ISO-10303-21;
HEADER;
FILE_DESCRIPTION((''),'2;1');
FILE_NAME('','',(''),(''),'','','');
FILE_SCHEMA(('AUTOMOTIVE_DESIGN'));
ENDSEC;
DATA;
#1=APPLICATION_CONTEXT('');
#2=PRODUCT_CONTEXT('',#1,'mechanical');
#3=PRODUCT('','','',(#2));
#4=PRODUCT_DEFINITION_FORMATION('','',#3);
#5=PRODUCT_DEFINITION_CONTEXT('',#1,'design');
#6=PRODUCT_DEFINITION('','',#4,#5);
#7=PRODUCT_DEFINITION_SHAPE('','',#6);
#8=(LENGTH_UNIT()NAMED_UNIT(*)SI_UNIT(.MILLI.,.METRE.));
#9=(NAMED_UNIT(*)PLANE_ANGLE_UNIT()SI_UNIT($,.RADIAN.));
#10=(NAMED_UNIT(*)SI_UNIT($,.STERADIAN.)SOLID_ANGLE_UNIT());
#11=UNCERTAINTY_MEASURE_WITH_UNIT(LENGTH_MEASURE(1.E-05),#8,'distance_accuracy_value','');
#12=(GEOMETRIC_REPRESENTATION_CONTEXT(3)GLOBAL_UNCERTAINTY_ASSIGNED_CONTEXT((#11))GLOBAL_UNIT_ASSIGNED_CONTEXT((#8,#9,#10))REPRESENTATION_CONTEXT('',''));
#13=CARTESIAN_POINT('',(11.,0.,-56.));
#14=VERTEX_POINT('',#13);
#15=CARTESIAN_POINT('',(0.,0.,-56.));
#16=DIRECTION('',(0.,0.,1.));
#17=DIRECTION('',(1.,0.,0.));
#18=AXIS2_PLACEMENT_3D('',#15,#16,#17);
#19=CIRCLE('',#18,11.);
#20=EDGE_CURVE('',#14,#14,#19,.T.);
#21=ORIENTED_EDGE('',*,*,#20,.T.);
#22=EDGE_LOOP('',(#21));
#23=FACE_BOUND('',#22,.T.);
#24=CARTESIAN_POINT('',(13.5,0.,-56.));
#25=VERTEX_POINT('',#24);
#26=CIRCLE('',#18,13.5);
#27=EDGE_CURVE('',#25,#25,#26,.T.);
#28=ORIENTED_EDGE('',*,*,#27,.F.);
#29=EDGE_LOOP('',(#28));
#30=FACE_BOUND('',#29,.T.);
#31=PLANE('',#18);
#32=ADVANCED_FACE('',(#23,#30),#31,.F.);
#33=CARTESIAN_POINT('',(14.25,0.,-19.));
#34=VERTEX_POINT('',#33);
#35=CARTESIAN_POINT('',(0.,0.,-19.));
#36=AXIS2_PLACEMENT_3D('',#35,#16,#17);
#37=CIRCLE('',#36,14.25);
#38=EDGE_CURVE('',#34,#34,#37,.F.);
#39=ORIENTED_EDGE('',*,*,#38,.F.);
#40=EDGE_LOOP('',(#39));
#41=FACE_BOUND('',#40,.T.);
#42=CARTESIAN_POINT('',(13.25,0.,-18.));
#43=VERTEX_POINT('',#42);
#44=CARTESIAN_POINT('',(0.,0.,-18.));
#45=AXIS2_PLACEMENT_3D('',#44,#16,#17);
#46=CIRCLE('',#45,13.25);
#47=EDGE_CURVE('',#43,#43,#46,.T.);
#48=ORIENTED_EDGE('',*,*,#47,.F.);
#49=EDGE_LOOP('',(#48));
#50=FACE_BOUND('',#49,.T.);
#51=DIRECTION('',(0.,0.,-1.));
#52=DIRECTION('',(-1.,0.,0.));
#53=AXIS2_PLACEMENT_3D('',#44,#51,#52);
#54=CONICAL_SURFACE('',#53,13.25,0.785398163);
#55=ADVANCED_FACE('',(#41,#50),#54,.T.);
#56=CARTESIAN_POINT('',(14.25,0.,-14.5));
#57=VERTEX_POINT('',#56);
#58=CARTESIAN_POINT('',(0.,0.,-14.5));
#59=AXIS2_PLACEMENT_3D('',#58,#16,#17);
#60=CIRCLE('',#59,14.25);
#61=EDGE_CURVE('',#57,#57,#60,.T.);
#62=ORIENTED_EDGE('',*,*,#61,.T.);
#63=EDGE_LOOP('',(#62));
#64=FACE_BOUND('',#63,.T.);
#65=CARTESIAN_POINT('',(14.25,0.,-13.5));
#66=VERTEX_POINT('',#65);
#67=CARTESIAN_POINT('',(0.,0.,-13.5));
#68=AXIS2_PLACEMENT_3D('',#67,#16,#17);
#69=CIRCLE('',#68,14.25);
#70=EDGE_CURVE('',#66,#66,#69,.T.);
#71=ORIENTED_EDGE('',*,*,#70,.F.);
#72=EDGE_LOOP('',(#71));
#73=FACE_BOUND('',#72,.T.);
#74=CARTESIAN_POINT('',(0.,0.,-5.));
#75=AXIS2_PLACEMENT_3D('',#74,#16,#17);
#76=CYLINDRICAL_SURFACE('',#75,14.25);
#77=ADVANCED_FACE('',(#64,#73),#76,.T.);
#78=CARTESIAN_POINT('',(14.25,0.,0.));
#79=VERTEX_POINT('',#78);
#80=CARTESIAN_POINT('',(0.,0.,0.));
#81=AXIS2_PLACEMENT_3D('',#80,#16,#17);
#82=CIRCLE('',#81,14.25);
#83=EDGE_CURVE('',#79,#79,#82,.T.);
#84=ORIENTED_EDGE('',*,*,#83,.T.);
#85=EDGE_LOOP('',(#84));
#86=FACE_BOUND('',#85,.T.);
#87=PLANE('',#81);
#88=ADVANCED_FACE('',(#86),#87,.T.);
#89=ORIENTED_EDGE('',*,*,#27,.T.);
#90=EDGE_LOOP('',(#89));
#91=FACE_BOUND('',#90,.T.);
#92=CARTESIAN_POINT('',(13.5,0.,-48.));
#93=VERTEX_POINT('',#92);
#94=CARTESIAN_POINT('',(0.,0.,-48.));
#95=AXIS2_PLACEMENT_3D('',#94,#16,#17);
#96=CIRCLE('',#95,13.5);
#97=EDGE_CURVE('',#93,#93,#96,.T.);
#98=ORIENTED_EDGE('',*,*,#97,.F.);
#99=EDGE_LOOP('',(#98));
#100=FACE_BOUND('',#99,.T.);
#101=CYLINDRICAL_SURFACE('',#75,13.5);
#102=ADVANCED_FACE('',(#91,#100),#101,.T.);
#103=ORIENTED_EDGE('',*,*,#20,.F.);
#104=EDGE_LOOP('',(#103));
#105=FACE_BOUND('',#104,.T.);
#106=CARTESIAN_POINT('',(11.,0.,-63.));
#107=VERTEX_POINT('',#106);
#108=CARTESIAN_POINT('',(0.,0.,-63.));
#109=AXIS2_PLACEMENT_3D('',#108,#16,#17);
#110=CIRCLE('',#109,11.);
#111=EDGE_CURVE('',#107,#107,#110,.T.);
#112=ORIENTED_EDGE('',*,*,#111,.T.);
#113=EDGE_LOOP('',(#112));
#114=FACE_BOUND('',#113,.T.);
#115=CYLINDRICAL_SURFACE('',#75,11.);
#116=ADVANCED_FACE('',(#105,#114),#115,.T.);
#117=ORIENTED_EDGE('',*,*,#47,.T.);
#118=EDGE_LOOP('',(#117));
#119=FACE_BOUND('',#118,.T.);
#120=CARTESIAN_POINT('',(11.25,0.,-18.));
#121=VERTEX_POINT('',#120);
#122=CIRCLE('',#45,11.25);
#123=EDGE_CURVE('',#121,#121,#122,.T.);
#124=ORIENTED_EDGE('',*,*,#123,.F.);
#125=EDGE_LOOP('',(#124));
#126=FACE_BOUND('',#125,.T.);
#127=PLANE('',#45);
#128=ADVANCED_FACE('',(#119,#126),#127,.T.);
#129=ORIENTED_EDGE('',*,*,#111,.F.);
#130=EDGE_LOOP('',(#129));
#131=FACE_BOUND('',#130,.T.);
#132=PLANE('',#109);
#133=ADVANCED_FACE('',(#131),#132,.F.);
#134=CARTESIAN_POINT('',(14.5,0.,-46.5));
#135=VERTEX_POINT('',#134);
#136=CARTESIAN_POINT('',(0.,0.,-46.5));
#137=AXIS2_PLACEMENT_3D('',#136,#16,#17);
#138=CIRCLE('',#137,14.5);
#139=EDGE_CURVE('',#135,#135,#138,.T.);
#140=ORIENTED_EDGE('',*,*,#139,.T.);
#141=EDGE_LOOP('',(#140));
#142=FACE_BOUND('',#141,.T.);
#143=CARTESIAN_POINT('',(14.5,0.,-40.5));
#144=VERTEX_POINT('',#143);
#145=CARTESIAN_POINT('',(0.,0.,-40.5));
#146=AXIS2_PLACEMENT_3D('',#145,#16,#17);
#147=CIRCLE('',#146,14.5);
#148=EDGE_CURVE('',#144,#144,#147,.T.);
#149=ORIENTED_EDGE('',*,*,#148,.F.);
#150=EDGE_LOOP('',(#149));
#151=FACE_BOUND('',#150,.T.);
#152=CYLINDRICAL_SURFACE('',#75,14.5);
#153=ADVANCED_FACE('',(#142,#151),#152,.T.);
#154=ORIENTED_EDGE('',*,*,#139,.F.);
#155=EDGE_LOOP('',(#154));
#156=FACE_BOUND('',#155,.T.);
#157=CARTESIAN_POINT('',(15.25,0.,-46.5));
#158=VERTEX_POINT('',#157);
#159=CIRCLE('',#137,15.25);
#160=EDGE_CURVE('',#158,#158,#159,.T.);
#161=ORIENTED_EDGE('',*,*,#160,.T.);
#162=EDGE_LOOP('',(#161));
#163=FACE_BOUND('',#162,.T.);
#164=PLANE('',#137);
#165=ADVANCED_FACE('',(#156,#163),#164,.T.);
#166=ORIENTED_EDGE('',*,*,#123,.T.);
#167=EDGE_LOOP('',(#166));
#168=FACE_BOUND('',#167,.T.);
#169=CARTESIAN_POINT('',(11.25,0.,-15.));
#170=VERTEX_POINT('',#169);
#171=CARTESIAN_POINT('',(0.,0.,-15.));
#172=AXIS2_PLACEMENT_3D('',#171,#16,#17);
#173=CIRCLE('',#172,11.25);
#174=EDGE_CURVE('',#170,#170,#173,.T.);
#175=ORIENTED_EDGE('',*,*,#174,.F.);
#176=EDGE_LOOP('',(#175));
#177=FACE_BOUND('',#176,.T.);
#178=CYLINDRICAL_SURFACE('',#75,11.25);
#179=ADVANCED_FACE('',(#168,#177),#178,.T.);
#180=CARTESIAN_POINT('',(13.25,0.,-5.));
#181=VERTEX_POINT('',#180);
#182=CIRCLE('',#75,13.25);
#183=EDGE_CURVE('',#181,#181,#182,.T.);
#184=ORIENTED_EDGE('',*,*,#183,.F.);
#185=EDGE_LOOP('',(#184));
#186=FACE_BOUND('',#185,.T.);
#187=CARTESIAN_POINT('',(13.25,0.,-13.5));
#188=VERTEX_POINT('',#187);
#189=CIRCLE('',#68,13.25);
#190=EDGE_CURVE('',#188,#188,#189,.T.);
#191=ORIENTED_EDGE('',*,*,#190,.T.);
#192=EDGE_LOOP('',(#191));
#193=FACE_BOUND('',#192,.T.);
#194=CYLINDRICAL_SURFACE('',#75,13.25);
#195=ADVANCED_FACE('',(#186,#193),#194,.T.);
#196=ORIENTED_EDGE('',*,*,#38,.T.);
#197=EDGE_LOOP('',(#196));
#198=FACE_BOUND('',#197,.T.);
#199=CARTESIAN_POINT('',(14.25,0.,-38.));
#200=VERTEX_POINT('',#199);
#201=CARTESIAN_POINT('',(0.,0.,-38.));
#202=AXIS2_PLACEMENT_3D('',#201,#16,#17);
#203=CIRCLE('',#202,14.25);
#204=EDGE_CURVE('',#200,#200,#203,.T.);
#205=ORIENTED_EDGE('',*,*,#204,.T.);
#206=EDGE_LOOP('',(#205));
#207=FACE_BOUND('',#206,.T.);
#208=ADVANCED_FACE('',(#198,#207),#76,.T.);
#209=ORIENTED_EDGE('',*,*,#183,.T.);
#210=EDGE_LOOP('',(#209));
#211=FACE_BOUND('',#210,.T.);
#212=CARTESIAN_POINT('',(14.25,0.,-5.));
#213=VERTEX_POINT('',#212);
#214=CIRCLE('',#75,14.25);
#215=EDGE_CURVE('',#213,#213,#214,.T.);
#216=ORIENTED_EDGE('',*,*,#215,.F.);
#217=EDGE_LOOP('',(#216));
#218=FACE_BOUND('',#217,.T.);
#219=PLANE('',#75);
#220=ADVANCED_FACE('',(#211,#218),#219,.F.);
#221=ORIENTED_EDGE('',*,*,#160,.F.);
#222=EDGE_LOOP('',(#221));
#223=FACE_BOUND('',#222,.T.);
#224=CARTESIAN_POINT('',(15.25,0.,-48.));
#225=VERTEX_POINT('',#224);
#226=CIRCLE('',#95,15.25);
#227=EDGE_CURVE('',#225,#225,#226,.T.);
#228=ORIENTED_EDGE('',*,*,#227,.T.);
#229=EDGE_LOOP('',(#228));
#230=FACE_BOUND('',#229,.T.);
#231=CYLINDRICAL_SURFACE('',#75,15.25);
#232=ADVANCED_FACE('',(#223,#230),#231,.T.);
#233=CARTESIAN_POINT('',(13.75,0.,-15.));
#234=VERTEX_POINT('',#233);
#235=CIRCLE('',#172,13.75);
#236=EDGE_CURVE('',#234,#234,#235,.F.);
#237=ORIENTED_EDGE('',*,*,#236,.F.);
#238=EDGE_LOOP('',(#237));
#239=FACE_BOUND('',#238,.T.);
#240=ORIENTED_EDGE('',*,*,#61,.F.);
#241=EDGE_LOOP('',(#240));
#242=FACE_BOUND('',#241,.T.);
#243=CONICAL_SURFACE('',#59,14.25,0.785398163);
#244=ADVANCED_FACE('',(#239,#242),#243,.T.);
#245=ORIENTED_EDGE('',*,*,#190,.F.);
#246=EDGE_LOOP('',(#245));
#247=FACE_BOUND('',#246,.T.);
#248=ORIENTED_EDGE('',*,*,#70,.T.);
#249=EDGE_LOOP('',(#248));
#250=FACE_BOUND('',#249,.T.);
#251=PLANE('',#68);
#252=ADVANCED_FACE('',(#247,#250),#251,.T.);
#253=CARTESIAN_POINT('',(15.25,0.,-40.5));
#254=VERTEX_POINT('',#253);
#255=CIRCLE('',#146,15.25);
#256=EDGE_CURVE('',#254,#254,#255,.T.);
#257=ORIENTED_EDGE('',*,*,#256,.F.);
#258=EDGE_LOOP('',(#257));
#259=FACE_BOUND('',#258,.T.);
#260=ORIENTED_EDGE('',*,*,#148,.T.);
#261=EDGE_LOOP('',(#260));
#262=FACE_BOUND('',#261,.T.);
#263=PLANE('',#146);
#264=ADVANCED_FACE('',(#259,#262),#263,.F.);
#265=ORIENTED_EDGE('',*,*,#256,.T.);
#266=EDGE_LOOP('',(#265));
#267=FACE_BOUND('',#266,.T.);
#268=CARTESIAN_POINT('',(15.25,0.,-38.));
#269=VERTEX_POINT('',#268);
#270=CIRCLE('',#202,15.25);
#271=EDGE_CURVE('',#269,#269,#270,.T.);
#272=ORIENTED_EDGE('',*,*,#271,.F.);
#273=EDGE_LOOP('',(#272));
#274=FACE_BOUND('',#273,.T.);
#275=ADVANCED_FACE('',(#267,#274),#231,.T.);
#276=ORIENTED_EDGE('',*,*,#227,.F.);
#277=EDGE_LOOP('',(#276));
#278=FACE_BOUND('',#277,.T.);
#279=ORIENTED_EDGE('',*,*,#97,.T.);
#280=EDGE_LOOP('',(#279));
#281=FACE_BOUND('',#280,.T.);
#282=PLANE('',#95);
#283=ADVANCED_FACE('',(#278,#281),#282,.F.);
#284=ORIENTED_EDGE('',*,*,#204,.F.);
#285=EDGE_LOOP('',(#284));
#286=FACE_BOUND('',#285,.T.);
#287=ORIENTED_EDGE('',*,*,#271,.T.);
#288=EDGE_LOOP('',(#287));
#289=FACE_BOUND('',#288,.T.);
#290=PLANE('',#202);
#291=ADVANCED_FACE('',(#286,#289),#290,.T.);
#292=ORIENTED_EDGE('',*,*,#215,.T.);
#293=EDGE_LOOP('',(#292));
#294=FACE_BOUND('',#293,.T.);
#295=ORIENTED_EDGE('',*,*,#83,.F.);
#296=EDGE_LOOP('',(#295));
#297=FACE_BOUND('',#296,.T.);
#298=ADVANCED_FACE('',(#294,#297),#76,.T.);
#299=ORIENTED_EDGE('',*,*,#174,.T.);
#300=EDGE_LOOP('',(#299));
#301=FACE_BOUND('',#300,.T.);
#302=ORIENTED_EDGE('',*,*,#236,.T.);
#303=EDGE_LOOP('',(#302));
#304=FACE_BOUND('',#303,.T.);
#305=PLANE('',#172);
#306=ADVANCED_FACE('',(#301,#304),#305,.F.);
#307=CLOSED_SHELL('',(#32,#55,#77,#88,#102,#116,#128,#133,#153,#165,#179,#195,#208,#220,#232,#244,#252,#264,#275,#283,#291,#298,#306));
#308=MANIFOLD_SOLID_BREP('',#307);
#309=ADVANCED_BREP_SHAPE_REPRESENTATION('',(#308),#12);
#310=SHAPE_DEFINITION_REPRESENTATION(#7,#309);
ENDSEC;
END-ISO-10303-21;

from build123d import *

# Parameters (mm, degrees)
SKETCH1_W     = 5
SKETCH1_H     = 14.25
SKETCH1_W_2   = 3
SKETCH1_H_2   = 11.25
SKETCH1_W_3   = 6
SKETCH1_H_3   = 14.5
SKETCH1_W_4   = 7
SKETCH1_H_4   = 11
CHAMFER1_SIZE = 1
CHAMFER2_SIZE = 0.5


with BuildPart() as part:
    # Sketch1 → Revolve1 (revolve)
    with BuildSketch(Plane(origin=(0, 0, 0), x_dir=(0, 0, -1), z_dir=(1, 0, 0)), mode=Mode.PRIVATE) as revolve1_sk:
        with Locations((2.5, 7.125)):
            Rectangle(SKETCH1_W, SKETCH1_H)
        Polygon((5, 13.25), (5, 0), (13.5, 0), (13.5, 11.25), (13.5, 13.25), align=None)
        Polygon((13.5, 11.25), (13.5, 0), (15, 0), (15, 11.25), (15, 14.25), (13.5, 14.25), (13.5, 13.25), align=None)
        with Locations((16.5, 5.625)):
            Rectangle(SKETCH1_W_2, SKETCH1_H_2)
        Polygon((18, 11.25), (18, 0), (38, 0), (38, 14.25), (18, 14.25), align=None)
        Polygon((38, 14.25), (38, 0), (40.5, 0), (40.5, 14.5), (40.5, 15.25), (38, 15.25), align=None)
        with Locations((43.5, 7.25)):
            Rectangle(SKETCH1_W_3, SKETCH1_H_3)
        Polygon((46.5, 14.5), (46.5, 0), (48, 0), (48, 13.5), (48, 15.25), (46.5, 15.25), align=None)
        Polygon((48, 13.5), (48, 0), (56, 0), (56, 11), (56, 13.5), align=None)
        with Locations((59.5, 5.5)):
            Rectangle(SKETCH1_W_4, SKETCH1_H_4)
    revolve(revolve1_sk.sketch.rotate(Axis((0, 0, -5), (0, 0, -1)), 90), axis=Axis((0, 0, -5), (0, 0, -1)))

    # Chamfer1
    chamfer1_edges = [part.edges().sort_by_distance(p)[0] for p in [
        (-14.25, 0, -18),
    ]]
    chamfer(chamfer1_edges, length=CHAMFER1_SIZE)

    # Chamfer2
    chamfer2_edges = [part.edges().sort_by_distance(p)[0] for p in [
        (-14.25, 0, -15),
    ]]
    chamfer(chamfer2_edges, length=CHAMFER2_SIZE)


solid = part.part
